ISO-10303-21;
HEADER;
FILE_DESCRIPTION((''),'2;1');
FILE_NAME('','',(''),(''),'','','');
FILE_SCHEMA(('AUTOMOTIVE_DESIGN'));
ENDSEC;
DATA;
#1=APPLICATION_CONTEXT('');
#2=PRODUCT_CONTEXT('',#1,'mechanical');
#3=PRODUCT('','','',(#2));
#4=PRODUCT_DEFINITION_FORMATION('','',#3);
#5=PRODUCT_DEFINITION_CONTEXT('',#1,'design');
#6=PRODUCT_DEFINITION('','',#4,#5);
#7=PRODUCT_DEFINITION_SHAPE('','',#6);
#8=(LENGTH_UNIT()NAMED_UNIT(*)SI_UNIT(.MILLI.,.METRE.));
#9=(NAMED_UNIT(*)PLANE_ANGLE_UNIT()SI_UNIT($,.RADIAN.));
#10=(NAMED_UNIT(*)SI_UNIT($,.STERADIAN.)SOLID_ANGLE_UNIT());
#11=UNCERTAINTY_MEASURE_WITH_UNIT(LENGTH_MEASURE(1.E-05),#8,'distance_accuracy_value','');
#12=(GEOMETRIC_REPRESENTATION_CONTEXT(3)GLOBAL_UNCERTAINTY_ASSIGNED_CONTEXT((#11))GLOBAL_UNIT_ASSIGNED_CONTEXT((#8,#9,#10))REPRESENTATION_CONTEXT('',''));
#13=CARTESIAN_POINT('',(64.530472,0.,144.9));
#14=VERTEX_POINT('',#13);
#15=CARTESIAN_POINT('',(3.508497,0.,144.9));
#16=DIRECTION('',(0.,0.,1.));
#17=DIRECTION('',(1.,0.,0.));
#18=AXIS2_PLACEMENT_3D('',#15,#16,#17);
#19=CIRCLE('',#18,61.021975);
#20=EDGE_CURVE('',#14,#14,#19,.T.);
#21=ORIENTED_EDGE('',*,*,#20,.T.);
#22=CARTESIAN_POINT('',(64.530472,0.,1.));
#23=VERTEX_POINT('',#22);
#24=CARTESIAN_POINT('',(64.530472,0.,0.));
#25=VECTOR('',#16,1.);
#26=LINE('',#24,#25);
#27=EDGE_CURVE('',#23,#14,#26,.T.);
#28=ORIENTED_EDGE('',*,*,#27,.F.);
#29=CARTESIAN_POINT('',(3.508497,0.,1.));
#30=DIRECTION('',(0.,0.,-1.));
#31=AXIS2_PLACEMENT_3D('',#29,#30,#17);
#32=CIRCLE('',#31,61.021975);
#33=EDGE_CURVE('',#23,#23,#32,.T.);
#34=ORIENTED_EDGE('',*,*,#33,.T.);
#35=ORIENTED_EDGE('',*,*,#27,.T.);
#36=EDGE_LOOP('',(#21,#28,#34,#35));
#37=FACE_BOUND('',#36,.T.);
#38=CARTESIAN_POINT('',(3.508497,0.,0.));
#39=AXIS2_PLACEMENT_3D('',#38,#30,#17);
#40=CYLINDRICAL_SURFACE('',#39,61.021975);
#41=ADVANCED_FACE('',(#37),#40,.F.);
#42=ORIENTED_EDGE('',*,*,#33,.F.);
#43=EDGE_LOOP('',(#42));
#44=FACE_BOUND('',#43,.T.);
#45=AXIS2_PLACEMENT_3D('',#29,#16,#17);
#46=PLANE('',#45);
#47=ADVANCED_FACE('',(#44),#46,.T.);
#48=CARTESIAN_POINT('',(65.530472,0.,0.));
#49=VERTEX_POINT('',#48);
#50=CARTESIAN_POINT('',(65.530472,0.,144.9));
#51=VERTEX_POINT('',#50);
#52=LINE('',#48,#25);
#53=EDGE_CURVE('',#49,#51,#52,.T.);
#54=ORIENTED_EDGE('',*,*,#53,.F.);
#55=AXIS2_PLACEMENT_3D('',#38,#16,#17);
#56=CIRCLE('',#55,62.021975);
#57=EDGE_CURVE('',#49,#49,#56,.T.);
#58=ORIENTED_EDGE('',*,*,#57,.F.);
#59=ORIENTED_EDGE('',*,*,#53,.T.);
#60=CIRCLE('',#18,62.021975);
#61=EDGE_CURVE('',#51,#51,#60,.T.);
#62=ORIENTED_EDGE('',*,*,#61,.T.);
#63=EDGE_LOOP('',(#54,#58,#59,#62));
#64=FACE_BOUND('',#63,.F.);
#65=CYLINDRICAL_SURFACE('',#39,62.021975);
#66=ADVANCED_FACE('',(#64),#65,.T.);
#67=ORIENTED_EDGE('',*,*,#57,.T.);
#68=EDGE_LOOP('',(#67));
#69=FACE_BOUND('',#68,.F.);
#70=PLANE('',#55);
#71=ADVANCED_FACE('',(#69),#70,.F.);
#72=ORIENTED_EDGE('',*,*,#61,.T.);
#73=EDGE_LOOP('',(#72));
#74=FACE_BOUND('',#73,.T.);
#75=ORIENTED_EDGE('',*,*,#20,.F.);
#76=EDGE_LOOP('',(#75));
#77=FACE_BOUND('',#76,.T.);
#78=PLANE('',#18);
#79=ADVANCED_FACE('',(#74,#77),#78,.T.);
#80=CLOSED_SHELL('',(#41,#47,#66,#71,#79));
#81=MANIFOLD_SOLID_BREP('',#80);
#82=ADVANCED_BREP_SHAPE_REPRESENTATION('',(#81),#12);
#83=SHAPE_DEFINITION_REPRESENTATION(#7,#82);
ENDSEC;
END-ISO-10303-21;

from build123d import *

# Parameters (mm, degrees)
F0_R     = 62.021975
F1_DEPTH = 144.9
F2_T     = -1


with BuildPart() as f1:
    # F0 (on Top) → F1 (new body)
    with BuildSketch(Plane.XY):
        with Locations((3.508497, 0)):
            Circle(F0_R)
    extrude(amount=F1_DEPTH)

    # F2
    f2_openings = [f1.faces().sort_by_distance(p)[0] for p in [
        (3.508497, 0, 144.9),
    ]]
    offset(amount=F2_T, openings=f2_openings)


solid = f1.part
